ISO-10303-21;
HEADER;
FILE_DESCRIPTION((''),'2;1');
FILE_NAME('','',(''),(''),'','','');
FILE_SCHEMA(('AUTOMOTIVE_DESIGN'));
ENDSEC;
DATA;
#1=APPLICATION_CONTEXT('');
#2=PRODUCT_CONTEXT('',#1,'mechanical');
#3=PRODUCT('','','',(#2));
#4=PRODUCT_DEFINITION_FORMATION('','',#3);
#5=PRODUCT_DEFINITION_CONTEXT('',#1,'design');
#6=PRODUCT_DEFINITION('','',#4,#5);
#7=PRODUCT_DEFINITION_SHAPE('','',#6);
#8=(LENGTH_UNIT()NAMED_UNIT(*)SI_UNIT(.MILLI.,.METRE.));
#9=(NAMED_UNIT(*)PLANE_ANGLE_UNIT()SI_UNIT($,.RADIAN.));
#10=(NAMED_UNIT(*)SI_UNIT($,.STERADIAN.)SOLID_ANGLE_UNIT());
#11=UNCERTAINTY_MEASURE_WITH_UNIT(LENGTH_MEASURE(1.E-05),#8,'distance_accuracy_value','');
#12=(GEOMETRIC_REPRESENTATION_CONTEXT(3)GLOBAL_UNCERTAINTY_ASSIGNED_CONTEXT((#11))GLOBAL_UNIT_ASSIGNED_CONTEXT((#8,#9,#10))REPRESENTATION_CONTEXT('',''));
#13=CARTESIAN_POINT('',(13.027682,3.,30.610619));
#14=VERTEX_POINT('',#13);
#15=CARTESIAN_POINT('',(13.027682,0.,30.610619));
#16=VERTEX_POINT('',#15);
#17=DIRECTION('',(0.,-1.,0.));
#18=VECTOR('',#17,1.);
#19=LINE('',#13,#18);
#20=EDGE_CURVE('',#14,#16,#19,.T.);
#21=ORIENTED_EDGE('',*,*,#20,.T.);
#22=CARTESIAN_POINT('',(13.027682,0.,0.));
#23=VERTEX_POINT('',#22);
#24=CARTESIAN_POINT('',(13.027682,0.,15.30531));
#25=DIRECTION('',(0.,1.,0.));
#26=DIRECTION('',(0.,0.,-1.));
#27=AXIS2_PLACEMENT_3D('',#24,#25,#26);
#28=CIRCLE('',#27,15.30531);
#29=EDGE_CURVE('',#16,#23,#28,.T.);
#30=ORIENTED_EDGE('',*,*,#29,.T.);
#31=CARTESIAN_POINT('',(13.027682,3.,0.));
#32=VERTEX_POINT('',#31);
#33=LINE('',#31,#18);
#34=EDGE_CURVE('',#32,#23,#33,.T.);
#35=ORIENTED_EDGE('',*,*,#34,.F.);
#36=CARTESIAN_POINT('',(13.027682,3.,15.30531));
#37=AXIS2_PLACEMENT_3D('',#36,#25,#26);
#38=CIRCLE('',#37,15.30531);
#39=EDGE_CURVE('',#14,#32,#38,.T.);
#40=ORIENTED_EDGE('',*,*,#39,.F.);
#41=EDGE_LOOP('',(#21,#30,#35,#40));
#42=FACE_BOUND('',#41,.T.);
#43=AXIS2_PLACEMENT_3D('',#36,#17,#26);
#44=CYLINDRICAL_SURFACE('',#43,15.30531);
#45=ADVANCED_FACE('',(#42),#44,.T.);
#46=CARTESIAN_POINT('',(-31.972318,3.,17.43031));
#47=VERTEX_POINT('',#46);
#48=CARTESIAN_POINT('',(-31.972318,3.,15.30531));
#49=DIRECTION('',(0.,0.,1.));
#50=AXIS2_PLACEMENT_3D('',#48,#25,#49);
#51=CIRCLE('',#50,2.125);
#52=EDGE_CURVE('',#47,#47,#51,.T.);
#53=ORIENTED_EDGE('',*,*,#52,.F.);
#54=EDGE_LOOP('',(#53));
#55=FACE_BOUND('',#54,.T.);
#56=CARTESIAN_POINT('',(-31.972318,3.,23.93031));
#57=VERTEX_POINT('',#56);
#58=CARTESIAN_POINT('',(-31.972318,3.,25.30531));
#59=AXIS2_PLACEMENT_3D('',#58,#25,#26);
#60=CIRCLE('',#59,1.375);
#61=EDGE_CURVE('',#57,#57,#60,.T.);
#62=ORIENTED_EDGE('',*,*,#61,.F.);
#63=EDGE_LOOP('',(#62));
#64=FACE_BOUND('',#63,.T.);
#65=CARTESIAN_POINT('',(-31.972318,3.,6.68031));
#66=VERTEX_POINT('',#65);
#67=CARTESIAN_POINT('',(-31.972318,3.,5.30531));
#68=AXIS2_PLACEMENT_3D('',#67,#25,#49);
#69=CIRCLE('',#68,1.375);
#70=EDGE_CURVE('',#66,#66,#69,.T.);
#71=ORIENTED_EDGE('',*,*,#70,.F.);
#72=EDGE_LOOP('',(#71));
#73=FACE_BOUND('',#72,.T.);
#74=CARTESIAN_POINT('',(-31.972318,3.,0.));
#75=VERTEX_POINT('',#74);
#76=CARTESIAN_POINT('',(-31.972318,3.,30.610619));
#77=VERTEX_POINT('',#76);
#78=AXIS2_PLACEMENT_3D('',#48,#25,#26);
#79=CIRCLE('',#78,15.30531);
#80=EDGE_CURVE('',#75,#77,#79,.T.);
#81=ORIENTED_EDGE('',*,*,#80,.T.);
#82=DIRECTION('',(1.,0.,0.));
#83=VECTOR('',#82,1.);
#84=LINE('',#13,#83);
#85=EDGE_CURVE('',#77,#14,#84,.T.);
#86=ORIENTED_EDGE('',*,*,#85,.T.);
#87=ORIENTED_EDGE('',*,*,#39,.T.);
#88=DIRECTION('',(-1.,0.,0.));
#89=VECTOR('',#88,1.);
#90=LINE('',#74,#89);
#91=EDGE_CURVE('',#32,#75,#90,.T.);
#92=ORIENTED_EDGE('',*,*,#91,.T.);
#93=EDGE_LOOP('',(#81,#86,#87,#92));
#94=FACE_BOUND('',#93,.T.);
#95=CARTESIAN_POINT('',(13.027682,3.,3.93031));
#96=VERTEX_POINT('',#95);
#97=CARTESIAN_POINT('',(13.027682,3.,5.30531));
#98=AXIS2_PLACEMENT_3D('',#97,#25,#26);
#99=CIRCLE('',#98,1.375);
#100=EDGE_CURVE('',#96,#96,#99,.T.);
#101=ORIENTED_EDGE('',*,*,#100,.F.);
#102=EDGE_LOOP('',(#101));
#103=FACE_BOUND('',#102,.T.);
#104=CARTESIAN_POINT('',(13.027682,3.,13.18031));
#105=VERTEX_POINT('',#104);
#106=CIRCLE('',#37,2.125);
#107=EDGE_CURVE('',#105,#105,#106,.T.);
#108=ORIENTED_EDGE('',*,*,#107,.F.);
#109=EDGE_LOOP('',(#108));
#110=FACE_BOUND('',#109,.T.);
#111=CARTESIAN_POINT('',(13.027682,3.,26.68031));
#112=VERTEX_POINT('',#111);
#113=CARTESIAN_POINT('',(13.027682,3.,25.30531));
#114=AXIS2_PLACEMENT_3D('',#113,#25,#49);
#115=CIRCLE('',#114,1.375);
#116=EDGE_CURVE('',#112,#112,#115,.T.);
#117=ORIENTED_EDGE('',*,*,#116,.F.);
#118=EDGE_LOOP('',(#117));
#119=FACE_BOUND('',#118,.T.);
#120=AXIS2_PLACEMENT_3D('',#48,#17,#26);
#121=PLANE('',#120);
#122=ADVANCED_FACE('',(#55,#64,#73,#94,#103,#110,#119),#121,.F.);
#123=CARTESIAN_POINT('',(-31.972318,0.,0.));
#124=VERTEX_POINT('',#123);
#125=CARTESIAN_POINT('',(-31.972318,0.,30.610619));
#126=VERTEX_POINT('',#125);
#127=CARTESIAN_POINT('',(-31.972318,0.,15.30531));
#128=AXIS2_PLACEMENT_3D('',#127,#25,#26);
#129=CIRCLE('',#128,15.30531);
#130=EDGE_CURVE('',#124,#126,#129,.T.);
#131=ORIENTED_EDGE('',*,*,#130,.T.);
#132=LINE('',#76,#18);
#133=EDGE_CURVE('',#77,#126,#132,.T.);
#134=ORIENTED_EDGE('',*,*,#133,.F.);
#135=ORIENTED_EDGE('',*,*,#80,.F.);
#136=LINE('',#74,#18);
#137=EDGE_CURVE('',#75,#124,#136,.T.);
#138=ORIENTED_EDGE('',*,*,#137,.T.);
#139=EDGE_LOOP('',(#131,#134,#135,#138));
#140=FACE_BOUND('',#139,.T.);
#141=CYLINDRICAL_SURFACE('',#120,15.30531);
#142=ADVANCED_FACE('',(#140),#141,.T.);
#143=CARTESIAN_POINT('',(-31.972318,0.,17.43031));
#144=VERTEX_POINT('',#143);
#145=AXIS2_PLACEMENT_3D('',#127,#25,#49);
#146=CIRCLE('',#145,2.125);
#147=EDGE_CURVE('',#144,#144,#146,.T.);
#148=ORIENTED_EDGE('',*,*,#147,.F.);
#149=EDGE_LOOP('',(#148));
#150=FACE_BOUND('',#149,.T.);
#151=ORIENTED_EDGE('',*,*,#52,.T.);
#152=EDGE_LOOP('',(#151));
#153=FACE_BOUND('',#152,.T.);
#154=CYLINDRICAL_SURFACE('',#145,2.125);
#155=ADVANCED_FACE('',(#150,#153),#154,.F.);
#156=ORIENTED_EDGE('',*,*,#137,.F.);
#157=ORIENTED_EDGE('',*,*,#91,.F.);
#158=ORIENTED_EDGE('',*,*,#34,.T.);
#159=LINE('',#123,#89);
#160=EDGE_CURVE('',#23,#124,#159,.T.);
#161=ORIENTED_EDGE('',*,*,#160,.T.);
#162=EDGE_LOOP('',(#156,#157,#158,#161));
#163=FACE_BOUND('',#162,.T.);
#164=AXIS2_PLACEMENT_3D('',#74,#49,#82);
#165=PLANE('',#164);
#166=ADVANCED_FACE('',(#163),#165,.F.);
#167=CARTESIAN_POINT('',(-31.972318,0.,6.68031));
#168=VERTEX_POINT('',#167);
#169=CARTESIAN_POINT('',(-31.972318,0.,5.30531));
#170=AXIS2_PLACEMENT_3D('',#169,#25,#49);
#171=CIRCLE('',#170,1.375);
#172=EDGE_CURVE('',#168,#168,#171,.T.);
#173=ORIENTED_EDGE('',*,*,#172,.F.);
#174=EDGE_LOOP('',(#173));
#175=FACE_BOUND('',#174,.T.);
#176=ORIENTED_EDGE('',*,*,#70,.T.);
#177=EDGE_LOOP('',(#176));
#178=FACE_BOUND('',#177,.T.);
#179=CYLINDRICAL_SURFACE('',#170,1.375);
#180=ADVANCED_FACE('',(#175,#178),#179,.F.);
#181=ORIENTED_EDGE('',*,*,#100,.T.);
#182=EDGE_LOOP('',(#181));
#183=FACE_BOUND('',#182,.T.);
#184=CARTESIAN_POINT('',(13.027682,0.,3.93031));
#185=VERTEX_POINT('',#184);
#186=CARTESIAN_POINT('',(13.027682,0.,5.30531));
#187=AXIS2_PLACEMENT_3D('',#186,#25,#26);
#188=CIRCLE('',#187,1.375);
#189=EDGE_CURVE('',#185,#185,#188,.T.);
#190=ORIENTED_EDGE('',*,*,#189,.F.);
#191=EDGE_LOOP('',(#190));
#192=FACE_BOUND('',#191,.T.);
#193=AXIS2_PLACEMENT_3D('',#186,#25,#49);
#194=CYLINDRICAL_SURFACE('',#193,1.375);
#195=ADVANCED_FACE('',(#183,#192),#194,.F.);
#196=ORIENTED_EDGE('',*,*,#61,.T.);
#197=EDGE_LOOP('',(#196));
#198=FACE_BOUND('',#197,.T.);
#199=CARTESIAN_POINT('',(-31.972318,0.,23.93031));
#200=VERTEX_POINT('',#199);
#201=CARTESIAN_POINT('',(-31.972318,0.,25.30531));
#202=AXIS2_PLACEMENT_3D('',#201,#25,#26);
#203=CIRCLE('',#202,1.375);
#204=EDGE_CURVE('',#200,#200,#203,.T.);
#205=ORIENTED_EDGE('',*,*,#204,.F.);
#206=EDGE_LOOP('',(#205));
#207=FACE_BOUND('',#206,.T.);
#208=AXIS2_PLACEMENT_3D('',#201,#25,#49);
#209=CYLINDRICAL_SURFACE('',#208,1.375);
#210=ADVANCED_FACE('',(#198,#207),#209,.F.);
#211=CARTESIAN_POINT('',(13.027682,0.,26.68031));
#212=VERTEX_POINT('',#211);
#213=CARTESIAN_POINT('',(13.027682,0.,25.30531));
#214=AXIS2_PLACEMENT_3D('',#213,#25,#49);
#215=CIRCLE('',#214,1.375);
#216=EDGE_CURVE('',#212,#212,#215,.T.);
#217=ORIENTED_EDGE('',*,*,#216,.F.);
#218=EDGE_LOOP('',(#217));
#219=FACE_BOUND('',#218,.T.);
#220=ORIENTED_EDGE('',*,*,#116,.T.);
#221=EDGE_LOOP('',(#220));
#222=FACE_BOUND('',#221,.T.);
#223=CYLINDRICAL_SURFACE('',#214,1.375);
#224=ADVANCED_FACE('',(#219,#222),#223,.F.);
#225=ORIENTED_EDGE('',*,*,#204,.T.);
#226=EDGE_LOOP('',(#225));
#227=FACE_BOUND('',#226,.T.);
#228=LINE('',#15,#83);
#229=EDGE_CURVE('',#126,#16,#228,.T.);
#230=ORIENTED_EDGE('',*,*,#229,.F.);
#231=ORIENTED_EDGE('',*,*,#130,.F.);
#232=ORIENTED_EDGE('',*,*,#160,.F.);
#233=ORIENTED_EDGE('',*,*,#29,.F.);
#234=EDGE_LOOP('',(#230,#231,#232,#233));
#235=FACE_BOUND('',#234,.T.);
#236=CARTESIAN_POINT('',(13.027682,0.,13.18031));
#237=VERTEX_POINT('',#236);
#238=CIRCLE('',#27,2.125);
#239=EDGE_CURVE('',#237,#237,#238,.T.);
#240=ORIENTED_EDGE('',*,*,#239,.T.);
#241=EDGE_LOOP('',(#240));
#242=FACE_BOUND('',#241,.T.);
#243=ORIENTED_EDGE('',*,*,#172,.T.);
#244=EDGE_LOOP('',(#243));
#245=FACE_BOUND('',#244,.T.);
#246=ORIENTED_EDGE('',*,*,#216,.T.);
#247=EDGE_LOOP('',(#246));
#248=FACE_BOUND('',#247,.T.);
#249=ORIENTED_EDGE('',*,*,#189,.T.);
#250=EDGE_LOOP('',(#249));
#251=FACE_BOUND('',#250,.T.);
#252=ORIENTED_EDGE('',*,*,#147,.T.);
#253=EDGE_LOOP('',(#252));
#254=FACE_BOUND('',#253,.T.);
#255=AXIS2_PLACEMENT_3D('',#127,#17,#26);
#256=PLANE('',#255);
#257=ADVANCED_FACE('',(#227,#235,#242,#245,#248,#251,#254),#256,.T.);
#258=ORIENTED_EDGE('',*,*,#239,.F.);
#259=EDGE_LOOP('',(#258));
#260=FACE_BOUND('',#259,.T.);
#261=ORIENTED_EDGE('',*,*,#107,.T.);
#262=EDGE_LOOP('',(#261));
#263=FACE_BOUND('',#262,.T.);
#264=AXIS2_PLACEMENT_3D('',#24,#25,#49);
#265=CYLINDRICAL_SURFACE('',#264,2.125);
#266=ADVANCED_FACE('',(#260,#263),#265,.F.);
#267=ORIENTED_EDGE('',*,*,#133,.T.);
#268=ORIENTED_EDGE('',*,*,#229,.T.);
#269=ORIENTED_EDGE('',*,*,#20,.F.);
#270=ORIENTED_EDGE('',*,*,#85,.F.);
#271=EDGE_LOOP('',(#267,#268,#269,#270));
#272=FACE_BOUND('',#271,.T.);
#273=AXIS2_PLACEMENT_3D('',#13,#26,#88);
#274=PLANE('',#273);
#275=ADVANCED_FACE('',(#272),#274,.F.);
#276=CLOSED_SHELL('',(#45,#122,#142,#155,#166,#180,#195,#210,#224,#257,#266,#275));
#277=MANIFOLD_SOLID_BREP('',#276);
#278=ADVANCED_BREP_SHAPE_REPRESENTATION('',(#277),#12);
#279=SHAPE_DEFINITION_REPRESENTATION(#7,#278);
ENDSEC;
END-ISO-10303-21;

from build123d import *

# Parameters (mm, degrees)
BOSS_EXTRUDE1_DEPTH = 3
SKETCH2_R           = 2.125
SKETCH2_R_2         = 1.375
CUT_EXTRUDE1_DEPTH  = 57.401986652


with BuildPart() as part:
    # Sketch1 → Boss-Extrude1 (new body)
    with BuildSketch(Plane(origin=(0, 0, 0), x_dir=(1, 0, 0), z_dir=(0, 1, 0))):
        with BuildLine():
            Line((-31.972318339, 0), (13.027681661, 0))
            ThreePointArc((13.027681661, 0), (28.332991201, -15.30530954), (13.027681661, -30.61061908))
            Line((13.027681661, -30.61061908), (-31.972318339, -30.61061908))
            ThreePointArc((-31.972318339, -30.61061908), (-47.277627879, -15.30530954), (-31.972318339, 0))
        make_face()
    extrude(amount=BOSS_EXTRUDE1_DEPTH)

    # Sketch2 → Cut-Extrude1 (cut, through all)
    with BuildSketch(Plane(origin=(0, 3, 0), x_dir=(1, 0, 0), z_dir=(0, 1, 0))):
        with Locations(Location((-31.972318339, -15.30530954, 0), (0, 0, 270))):
            Circle(SKETCH2_R)
        with Locations(Location((-31.972318339, -5.30530954, 0), (0, 0, 270))):
            Circle(SKETCH2_R_2)
        with Locations(Location((-31.972318339, -25.30530954, 0), (0, 0, 90))):
            Circle(SKETCH2_R_2)
        with Locations(Location((13.027681661, -5.30530954, 0), (0, 0, 90))):
            Circle(SKETCH2_R_2)
        with Locations(Location((13.027681661, -15.30530954, 0), (0, 0, 90))):
            Circle(SKETCH2_R)
        with Locations(Location((13.027681661, -25.30530954, 0), (0, 0, 270))):
            Circle(SKETCH2_R_2)
    extrude(amount=-CUT_EXTRUDE1_DEPTH, mode=Mode.SUBTRACT)


solid = part.part
